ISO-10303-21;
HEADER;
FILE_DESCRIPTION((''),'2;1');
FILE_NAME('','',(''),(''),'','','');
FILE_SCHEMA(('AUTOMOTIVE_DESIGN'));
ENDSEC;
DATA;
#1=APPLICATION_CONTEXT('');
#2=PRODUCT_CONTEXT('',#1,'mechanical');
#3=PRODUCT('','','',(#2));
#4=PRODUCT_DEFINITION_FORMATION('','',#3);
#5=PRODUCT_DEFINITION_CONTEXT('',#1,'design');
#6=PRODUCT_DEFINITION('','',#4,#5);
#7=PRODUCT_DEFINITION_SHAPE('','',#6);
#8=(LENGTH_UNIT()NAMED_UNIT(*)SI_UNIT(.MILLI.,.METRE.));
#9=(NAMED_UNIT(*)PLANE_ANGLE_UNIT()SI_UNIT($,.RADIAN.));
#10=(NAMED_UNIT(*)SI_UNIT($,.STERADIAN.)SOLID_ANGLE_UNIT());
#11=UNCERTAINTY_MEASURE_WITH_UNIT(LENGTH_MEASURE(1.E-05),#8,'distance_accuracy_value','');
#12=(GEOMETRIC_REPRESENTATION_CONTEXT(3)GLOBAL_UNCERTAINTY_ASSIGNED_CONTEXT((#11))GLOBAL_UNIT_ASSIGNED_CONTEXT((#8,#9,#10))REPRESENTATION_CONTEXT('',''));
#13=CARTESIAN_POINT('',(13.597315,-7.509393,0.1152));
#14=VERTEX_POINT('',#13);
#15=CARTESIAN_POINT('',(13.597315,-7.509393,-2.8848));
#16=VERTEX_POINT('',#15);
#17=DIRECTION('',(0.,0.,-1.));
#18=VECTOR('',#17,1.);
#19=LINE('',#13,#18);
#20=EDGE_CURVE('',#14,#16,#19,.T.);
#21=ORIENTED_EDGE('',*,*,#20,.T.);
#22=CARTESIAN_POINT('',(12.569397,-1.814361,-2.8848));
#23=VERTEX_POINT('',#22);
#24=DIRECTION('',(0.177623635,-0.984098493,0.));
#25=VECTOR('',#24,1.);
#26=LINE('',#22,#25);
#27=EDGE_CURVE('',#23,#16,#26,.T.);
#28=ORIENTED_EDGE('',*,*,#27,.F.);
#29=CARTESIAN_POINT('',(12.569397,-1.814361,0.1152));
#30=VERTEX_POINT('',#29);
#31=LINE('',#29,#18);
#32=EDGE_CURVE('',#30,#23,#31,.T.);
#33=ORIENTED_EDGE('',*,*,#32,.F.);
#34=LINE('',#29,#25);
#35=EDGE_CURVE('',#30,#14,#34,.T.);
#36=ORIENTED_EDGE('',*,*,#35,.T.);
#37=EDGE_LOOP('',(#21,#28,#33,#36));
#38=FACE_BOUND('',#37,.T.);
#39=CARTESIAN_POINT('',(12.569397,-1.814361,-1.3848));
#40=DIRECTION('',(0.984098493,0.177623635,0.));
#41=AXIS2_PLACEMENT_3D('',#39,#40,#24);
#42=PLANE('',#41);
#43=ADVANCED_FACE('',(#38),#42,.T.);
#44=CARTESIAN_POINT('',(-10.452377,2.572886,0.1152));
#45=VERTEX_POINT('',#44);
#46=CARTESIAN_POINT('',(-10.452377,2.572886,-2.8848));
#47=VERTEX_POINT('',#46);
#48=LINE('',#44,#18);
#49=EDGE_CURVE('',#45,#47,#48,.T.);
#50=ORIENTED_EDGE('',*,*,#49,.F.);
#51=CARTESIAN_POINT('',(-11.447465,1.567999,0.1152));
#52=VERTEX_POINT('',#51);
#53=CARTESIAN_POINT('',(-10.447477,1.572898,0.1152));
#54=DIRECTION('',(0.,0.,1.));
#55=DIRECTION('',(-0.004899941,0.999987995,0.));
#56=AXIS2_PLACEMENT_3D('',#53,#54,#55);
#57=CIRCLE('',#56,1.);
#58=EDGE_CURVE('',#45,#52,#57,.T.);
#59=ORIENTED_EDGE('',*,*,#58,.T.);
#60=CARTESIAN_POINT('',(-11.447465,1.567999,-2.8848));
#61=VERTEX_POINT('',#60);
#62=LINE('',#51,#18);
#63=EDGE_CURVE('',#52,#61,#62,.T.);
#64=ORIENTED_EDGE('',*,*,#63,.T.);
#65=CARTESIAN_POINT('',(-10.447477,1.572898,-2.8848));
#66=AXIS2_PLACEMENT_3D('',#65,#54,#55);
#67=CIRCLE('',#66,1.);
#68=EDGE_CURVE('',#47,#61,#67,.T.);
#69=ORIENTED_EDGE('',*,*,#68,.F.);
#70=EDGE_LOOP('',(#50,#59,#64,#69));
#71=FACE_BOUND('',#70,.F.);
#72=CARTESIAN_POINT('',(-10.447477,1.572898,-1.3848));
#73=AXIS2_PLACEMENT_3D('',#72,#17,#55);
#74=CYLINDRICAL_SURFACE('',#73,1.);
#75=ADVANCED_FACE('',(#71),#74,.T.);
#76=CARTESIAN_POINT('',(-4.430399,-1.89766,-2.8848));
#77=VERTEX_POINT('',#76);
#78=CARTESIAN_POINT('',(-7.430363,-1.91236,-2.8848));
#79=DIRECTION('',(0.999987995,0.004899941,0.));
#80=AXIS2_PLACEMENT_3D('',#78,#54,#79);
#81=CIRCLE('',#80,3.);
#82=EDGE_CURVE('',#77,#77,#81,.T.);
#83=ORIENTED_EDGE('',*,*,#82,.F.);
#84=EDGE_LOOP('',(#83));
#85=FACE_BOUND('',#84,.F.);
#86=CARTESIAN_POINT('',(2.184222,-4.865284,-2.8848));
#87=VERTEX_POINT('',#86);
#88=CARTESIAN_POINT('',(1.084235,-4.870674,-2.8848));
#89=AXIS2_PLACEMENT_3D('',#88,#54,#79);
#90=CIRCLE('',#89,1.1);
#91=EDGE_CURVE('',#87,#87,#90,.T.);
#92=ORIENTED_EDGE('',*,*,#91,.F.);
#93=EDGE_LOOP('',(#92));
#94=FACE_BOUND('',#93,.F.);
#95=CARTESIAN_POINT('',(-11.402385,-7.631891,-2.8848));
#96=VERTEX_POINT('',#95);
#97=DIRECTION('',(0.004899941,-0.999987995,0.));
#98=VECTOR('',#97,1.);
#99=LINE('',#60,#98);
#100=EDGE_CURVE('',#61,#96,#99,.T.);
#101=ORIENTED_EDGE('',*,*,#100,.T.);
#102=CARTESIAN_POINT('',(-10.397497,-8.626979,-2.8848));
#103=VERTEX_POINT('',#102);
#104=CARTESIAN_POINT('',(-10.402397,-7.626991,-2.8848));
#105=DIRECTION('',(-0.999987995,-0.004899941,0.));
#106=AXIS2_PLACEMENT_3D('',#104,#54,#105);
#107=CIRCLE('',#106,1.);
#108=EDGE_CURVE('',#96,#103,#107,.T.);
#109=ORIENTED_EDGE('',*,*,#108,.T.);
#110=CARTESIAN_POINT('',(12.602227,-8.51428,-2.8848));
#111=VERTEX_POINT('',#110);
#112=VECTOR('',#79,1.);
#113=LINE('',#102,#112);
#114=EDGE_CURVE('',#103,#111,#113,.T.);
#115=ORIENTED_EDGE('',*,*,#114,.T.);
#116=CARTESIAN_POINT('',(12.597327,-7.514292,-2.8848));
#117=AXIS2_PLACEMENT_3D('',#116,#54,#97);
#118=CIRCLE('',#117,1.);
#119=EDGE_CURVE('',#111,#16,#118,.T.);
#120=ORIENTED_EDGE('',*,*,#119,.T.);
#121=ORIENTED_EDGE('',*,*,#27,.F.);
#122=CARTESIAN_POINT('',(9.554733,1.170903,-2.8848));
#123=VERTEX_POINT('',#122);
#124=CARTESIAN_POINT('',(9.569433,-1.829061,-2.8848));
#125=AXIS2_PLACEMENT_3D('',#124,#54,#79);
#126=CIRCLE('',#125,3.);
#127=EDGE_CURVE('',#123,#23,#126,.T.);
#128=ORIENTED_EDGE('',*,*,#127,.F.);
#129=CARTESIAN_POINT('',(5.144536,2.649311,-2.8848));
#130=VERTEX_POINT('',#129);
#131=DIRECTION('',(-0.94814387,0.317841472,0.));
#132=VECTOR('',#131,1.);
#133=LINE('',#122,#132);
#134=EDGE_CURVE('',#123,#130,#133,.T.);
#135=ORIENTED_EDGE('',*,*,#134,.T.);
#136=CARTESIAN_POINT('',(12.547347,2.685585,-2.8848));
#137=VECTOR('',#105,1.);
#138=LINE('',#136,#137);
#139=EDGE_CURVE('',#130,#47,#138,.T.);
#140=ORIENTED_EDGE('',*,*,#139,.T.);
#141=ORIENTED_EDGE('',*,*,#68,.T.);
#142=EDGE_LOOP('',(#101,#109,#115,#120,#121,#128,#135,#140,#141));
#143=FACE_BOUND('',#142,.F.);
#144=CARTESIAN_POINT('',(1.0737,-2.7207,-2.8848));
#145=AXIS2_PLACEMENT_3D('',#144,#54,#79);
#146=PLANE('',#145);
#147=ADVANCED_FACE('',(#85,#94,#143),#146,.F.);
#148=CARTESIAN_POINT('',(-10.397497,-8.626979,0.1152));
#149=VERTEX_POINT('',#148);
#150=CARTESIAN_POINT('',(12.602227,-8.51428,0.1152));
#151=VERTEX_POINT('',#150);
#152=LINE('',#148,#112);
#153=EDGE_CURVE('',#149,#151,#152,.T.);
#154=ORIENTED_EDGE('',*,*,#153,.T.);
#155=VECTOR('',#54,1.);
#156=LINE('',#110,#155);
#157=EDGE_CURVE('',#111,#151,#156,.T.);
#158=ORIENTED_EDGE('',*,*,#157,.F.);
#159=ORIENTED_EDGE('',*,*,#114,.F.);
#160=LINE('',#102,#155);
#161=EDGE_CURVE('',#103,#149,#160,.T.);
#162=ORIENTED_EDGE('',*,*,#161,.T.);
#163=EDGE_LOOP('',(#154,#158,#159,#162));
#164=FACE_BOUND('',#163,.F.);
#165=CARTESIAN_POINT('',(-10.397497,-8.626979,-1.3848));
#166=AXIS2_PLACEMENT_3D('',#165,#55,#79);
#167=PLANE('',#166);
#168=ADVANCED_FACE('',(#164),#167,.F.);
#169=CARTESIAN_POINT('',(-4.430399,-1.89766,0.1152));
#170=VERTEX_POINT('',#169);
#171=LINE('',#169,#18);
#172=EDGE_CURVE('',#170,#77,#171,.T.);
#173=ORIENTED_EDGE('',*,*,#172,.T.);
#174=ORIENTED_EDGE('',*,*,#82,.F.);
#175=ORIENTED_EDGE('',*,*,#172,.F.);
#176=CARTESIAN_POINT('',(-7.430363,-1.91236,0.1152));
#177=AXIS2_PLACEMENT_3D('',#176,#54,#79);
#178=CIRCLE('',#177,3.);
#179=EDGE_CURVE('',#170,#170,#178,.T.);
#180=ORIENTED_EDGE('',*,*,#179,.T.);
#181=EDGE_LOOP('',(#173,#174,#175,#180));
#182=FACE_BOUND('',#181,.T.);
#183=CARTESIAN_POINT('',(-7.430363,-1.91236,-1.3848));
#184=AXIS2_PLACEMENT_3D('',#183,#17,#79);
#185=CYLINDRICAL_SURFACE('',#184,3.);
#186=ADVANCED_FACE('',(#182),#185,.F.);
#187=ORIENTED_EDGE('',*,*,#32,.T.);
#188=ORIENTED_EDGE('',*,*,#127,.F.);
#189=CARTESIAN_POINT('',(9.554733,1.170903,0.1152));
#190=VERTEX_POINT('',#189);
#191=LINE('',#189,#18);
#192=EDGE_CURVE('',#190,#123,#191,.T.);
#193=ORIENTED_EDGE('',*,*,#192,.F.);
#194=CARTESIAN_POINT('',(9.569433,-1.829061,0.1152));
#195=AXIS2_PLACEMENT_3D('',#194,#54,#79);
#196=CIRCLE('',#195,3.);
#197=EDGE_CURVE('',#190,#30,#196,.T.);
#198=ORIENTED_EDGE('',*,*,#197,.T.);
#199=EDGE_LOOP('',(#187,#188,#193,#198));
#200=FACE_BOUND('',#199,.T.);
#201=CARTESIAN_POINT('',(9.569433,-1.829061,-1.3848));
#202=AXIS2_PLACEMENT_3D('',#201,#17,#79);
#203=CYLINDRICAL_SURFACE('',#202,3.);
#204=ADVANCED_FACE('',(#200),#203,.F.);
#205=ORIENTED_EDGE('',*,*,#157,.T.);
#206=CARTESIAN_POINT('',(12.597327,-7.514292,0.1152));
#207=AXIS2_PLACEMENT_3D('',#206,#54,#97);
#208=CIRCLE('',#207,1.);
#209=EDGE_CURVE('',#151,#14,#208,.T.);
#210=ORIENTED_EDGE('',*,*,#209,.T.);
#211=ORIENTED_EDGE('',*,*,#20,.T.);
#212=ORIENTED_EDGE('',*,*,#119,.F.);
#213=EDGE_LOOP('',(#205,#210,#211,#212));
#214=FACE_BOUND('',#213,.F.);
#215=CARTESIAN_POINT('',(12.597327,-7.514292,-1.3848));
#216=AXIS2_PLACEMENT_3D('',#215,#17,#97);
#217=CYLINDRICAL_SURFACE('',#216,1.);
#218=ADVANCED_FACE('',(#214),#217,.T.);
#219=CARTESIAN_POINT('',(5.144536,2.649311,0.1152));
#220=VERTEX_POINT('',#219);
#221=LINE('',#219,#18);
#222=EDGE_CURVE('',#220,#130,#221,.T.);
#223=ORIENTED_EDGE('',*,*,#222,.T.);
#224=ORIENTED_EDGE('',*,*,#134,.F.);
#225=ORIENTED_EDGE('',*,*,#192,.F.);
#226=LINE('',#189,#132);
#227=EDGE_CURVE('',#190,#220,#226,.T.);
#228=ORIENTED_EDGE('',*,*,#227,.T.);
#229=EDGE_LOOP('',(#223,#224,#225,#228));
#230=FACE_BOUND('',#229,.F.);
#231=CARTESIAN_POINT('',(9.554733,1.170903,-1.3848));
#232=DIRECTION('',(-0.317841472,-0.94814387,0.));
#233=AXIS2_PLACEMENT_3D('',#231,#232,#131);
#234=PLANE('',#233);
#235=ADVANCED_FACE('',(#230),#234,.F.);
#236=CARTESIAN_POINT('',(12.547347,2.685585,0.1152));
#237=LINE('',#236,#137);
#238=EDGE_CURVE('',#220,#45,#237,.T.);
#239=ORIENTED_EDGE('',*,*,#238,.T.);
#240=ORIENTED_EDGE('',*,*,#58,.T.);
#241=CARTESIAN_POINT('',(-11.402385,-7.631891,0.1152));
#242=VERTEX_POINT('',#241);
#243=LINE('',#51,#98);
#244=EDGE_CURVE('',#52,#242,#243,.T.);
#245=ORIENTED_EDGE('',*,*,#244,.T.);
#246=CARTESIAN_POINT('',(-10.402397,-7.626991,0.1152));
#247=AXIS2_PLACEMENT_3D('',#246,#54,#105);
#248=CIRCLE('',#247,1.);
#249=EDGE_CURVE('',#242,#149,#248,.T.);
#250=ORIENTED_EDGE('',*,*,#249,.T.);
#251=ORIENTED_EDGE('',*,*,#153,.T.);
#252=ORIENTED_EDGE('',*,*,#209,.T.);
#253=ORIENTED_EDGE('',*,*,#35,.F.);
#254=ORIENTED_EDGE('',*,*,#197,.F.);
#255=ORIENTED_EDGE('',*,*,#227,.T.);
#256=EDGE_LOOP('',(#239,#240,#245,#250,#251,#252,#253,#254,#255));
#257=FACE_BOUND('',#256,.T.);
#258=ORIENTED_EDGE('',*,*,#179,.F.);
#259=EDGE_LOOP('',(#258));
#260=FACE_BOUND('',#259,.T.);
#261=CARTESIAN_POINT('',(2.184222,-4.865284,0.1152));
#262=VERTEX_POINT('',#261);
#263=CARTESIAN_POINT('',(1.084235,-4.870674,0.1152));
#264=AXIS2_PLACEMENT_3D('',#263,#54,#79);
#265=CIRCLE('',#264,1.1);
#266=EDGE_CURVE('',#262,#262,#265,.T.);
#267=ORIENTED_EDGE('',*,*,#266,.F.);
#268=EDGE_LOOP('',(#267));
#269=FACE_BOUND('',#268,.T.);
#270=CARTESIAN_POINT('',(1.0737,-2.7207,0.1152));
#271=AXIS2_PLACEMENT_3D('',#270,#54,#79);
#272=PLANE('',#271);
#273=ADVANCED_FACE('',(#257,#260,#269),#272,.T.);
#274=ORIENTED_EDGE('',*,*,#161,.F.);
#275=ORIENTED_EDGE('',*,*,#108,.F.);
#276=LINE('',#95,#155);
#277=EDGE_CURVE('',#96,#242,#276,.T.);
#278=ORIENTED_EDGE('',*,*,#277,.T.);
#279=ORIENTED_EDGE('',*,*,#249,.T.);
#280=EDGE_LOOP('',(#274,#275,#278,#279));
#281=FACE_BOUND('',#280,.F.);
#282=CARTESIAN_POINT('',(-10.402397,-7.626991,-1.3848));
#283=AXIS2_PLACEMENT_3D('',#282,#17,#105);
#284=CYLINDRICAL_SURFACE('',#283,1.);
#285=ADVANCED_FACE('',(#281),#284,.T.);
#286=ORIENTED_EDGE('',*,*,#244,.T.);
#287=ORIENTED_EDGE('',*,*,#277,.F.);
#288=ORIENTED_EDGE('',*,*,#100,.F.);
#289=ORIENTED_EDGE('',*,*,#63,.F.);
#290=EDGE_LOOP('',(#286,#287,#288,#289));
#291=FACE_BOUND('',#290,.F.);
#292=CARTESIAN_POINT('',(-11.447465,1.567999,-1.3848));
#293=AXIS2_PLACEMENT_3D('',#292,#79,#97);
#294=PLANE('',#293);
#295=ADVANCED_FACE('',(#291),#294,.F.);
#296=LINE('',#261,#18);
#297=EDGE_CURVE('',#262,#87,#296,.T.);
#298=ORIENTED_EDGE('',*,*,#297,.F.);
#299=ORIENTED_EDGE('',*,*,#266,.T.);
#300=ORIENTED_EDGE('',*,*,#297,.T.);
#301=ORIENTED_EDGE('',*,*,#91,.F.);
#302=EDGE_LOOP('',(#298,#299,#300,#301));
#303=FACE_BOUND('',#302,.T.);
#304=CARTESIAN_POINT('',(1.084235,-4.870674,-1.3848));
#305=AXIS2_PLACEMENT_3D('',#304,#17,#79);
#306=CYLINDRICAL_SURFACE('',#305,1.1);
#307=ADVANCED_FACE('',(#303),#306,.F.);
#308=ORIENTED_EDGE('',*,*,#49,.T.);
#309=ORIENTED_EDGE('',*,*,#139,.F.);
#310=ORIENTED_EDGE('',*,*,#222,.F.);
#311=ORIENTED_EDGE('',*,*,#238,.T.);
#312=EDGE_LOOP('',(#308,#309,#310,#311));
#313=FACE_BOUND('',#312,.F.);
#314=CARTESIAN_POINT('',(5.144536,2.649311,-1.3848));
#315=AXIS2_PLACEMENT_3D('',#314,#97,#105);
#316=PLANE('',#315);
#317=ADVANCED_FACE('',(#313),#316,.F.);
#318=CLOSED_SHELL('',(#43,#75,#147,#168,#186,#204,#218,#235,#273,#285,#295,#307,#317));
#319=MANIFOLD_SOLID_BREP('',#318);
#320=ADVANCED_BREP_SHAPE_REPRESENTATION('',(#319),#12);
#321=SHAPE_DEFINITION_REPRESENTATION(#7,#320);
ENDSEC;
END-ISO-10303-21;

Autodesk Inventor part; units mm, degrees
ref_plane "YZ Plane" through (0, 0, 0) normal (1, 0, 0) x (0, 1, 0)
ref_plane "XZ Plane" through (0, 0, 0) normal (0, 1, 0) x (-1, 0, 0)
ref_plane "XY Plane" through (0, 0, 0) normal (0, 0, 1) x (1, 0, 0)
ref_plane "Work Plane1" through (1.0737, -2.7207, -1.3848) normal (0, 0, 1) x (1, 0.0049, 0)
sketch "Sketch1" plane through (1.0737, -2.7207, -1.3848) normal (0, 0, 1) x (1, 0.0049, 0)
  line L0 (-12.5, -4.85) -> (-12.5, 4.35) projected
  line L1 (12.5, 4.35) -> (12.5, -4.85) projected
  line L2 (11.5, -5.85) -> (-11.5, -5.85) projected
  circle A0 centre (8.5, 0.85) radius 3 projected
  circle A1 centre (-8.5, 0.85) radius 3 projected
  circle A2 centre (0, -2.15) radius 1.1
  line L3 (4.0694, -5.85) -> (-4.0694, -5.85)
  circle A3 centre (0, -2.15) radius 1.1 projected
  line L4 (-11.5, 5.35) -> (11.5, 5.35) projected
  arc A4 (-12.5, -4.85) -> (-11.5, -5.85) centre (-11.5, -4.85) ccw projected
  arc A5 (-11.5, 5.35) -> (-12.5, 4.35) centre (-11.5, 4.35) ccw projected
  arc A6 (12.5, 4.35) -> (11.5, 5.35) centre (11.5, 4.35) ccw projected
  arc A7 (11.5, -5.85) -> (12.5, -4.85) centre (11.5, -4.85) ccw projected
  point P0 (-1.0602, 2.726)
  dimension "d0" = 2.2
extrude "Extrusion1" add sketch "Sketch1" along normal mid plane 4
sketch "Sketch2" plane through (1.0737, -2.7207, 0.6152) normal (0, 0, 1) x (1, 0.0049, 0)
  line L0 (-12.5, 4.35) -> (-12.5, -4.85) projected
  line L1 (-11.5, -5.85) -> (11.5, -5.85) projected
  line L2 (12.5, -4.85) -> (12.5, 4.35) projected
  circle A0 centre (8.5, 0.85) radius 3 projected
  circle A1 centre (-8.5, 0.85) radius 3 projected
  line L3 (11.5, 0.85) -> (12.5, 0.85)
  line L4 (12.5, -4.85) -> (12.5, 4.35) projected
  circle A2 centre (8.5, 0.85) radius 3 projected
  line L5 (8.5, 3.85) -> (0.045, 5.85)
  line L6 (12.5, 5.85) -> (-12.5, 5.85) projected
  circle A3 centre (0, -2.15) radius 1.1 projected
  line L7 (11.5, 5.35) -> (-11.5, 5.35) projected
  arc A4 (-12.5, -4.85) -> (-11.5, -5.85) centre (-11.5, -4.85) ccw projected
  arc A5 (11.5, -5.85) -> (12.5, -4.85) centre (11.5, -4.85) ccw projected
  arc A6 (12.5, 4.35) -> (11.5, 5.35) centre (11.5, 4.35) ccw projected
  arc A7 (-11.5, 5.35) -> (-12.5, 4.35) centre (-11.5, 4.35) ccw projected
  point P0 (-1.0602, 2.726)
  point P1 (-12.5, 5.85)
  point P2 (8.5, 3.85)
  point P3 (12.5, 0.85)
extrude "Extrusion2" [suppressed]
sketch "Sketch3" plane through (1.0737, -2.7207, 0.6152) normal (0, 0, 1) x (1, 0.0049, 0)
  line L0 (-12.5, 4.35) -> (-12.5, -4.85) projected
  line L1 (-11.5, -5.85) -> (11.5, -5.85) projected
  line L2 (12.5, -4.85) -> (12.5, 4.35) projected
  circle A0 centre (8.5, 0.85) radius 3 projected
  circle A1 centre (-8.5, 0.85) radius 3 projected
  circle A2 centre (0, -2.15) radius 1.1 projected
  line L3 (-12.5, 4.35) -> (-12.5, -4.85) projected
  line L4 (-12.5, 5.85) -> (-9.6209, 5.85)
  line L5 (-9.6209, 5.85) -> (-9.6209, 5.35)
  line L6 (-9.6209, 5.35) -> (-12.5, 5.35)
  line L7 (-12.5, 5.35) -> (-12.5, 5.85)
  line L8 (-12.5, 5.85) -> (7.0362, 5.85)
  line L9 (7.0362, 5.85) -> (7.0362, 5.35)
  line L10 (7.0362, 5.35) -> (-12.5, 5.35)
  line L11 (-12.5, 5.35) -> (-12.5, 5.85)
  arc A3 (12.5, 4.35) -> (11.5, 5.35) centre (11.5, 4.35) ccw projected
  line L12 (11.5, 5.35) -> (-11.5, 5.35) projected
  arc A4 (-11.5, 5.35) -> (-12.5, 4.35) centre (-11.5, 4.35) ccw projected
  arc A5 (-12.5, -4.85) -> (-11.5, -5.85) centre (-11.5, -4.85) ccw projected
  arc A6 (11.5, -5.85) -> (12.5, -4.85) centre (11.5, -4.85) ccw projected
  point P0 (-1.0602, 2.726)
  point P1 (-12.5, -5.85)
  point P2 (-12.5, 5.35)
  point P3 (-9.6209, 5.35)
  point P4 (-11.5, 5.35)
  point P5 (-12.5, 5.35)
  point P6 (-9.6209, 5.35)
  point P7 (7.0362, 5.35)
  point P8 (7.0362, 5.35)
  dimension "d5" = 0.5
extrude "Extrusion3" cut sketch "Sketch3" against normal blind 10 contours A4 L6 L10 L12 A3 L2 A6 L1 A5 L0 | L6 L7 L4 L5 | L5 L8 L9 L10 | A1 | A2
sketch "Sketch4" plane through (1.0737, -2.7207, -1.3848) normal (0, 0, 1) x (1, 0.0049, 0)
  arc A0 (-12.5, -4.85) -> (-11.5, -5.85) centre (-11.5, -4.85) ccw projected
  line L0 (-11.5, -5.85) -> (11.5, -5.85) projected
  arc A1 (11.5, -5.85) -> (12.5, -4.85) centre (11.5, -4.85) ccw projected
  line L1 (12.5, -4.85) -> (12.5, 4.35) projected
  arc A2 (12.5, 4.35) -> (11.5, 5.35) centre (11.5, 4.35) ccw projected
  line L2 (11.5, 5.35) -> (-11.5, 5.35) projected
  arc A3 (-11.5, 5.35) -> (-12.5, 4.35) centre (-11.5, 4.35) ccw projected
  line L3 (-12.5, 4.35) -> (-12.5, -4.85) projected
  circle A4 centre (0, -2.15) radius 1.1 projected
  circle A5 centre (8.5, 0.85) radius 3 projected
  circle A6 centre (-8.5, 0.85) radius 3 projected
  line L4 (8.5, 3.85) -> (4.0971, 5.35)
  line L5 (11.5, 0.85) -> (12.5, -4.85)
  point P0 (-1.0602, 2.726)
extrude "Extrusion4" add sketch "Sketch4" along normal mid plane 3 contours L3 A3 L2 L4 A5 L5 A1 L0 A0
properties part number "srodek"
